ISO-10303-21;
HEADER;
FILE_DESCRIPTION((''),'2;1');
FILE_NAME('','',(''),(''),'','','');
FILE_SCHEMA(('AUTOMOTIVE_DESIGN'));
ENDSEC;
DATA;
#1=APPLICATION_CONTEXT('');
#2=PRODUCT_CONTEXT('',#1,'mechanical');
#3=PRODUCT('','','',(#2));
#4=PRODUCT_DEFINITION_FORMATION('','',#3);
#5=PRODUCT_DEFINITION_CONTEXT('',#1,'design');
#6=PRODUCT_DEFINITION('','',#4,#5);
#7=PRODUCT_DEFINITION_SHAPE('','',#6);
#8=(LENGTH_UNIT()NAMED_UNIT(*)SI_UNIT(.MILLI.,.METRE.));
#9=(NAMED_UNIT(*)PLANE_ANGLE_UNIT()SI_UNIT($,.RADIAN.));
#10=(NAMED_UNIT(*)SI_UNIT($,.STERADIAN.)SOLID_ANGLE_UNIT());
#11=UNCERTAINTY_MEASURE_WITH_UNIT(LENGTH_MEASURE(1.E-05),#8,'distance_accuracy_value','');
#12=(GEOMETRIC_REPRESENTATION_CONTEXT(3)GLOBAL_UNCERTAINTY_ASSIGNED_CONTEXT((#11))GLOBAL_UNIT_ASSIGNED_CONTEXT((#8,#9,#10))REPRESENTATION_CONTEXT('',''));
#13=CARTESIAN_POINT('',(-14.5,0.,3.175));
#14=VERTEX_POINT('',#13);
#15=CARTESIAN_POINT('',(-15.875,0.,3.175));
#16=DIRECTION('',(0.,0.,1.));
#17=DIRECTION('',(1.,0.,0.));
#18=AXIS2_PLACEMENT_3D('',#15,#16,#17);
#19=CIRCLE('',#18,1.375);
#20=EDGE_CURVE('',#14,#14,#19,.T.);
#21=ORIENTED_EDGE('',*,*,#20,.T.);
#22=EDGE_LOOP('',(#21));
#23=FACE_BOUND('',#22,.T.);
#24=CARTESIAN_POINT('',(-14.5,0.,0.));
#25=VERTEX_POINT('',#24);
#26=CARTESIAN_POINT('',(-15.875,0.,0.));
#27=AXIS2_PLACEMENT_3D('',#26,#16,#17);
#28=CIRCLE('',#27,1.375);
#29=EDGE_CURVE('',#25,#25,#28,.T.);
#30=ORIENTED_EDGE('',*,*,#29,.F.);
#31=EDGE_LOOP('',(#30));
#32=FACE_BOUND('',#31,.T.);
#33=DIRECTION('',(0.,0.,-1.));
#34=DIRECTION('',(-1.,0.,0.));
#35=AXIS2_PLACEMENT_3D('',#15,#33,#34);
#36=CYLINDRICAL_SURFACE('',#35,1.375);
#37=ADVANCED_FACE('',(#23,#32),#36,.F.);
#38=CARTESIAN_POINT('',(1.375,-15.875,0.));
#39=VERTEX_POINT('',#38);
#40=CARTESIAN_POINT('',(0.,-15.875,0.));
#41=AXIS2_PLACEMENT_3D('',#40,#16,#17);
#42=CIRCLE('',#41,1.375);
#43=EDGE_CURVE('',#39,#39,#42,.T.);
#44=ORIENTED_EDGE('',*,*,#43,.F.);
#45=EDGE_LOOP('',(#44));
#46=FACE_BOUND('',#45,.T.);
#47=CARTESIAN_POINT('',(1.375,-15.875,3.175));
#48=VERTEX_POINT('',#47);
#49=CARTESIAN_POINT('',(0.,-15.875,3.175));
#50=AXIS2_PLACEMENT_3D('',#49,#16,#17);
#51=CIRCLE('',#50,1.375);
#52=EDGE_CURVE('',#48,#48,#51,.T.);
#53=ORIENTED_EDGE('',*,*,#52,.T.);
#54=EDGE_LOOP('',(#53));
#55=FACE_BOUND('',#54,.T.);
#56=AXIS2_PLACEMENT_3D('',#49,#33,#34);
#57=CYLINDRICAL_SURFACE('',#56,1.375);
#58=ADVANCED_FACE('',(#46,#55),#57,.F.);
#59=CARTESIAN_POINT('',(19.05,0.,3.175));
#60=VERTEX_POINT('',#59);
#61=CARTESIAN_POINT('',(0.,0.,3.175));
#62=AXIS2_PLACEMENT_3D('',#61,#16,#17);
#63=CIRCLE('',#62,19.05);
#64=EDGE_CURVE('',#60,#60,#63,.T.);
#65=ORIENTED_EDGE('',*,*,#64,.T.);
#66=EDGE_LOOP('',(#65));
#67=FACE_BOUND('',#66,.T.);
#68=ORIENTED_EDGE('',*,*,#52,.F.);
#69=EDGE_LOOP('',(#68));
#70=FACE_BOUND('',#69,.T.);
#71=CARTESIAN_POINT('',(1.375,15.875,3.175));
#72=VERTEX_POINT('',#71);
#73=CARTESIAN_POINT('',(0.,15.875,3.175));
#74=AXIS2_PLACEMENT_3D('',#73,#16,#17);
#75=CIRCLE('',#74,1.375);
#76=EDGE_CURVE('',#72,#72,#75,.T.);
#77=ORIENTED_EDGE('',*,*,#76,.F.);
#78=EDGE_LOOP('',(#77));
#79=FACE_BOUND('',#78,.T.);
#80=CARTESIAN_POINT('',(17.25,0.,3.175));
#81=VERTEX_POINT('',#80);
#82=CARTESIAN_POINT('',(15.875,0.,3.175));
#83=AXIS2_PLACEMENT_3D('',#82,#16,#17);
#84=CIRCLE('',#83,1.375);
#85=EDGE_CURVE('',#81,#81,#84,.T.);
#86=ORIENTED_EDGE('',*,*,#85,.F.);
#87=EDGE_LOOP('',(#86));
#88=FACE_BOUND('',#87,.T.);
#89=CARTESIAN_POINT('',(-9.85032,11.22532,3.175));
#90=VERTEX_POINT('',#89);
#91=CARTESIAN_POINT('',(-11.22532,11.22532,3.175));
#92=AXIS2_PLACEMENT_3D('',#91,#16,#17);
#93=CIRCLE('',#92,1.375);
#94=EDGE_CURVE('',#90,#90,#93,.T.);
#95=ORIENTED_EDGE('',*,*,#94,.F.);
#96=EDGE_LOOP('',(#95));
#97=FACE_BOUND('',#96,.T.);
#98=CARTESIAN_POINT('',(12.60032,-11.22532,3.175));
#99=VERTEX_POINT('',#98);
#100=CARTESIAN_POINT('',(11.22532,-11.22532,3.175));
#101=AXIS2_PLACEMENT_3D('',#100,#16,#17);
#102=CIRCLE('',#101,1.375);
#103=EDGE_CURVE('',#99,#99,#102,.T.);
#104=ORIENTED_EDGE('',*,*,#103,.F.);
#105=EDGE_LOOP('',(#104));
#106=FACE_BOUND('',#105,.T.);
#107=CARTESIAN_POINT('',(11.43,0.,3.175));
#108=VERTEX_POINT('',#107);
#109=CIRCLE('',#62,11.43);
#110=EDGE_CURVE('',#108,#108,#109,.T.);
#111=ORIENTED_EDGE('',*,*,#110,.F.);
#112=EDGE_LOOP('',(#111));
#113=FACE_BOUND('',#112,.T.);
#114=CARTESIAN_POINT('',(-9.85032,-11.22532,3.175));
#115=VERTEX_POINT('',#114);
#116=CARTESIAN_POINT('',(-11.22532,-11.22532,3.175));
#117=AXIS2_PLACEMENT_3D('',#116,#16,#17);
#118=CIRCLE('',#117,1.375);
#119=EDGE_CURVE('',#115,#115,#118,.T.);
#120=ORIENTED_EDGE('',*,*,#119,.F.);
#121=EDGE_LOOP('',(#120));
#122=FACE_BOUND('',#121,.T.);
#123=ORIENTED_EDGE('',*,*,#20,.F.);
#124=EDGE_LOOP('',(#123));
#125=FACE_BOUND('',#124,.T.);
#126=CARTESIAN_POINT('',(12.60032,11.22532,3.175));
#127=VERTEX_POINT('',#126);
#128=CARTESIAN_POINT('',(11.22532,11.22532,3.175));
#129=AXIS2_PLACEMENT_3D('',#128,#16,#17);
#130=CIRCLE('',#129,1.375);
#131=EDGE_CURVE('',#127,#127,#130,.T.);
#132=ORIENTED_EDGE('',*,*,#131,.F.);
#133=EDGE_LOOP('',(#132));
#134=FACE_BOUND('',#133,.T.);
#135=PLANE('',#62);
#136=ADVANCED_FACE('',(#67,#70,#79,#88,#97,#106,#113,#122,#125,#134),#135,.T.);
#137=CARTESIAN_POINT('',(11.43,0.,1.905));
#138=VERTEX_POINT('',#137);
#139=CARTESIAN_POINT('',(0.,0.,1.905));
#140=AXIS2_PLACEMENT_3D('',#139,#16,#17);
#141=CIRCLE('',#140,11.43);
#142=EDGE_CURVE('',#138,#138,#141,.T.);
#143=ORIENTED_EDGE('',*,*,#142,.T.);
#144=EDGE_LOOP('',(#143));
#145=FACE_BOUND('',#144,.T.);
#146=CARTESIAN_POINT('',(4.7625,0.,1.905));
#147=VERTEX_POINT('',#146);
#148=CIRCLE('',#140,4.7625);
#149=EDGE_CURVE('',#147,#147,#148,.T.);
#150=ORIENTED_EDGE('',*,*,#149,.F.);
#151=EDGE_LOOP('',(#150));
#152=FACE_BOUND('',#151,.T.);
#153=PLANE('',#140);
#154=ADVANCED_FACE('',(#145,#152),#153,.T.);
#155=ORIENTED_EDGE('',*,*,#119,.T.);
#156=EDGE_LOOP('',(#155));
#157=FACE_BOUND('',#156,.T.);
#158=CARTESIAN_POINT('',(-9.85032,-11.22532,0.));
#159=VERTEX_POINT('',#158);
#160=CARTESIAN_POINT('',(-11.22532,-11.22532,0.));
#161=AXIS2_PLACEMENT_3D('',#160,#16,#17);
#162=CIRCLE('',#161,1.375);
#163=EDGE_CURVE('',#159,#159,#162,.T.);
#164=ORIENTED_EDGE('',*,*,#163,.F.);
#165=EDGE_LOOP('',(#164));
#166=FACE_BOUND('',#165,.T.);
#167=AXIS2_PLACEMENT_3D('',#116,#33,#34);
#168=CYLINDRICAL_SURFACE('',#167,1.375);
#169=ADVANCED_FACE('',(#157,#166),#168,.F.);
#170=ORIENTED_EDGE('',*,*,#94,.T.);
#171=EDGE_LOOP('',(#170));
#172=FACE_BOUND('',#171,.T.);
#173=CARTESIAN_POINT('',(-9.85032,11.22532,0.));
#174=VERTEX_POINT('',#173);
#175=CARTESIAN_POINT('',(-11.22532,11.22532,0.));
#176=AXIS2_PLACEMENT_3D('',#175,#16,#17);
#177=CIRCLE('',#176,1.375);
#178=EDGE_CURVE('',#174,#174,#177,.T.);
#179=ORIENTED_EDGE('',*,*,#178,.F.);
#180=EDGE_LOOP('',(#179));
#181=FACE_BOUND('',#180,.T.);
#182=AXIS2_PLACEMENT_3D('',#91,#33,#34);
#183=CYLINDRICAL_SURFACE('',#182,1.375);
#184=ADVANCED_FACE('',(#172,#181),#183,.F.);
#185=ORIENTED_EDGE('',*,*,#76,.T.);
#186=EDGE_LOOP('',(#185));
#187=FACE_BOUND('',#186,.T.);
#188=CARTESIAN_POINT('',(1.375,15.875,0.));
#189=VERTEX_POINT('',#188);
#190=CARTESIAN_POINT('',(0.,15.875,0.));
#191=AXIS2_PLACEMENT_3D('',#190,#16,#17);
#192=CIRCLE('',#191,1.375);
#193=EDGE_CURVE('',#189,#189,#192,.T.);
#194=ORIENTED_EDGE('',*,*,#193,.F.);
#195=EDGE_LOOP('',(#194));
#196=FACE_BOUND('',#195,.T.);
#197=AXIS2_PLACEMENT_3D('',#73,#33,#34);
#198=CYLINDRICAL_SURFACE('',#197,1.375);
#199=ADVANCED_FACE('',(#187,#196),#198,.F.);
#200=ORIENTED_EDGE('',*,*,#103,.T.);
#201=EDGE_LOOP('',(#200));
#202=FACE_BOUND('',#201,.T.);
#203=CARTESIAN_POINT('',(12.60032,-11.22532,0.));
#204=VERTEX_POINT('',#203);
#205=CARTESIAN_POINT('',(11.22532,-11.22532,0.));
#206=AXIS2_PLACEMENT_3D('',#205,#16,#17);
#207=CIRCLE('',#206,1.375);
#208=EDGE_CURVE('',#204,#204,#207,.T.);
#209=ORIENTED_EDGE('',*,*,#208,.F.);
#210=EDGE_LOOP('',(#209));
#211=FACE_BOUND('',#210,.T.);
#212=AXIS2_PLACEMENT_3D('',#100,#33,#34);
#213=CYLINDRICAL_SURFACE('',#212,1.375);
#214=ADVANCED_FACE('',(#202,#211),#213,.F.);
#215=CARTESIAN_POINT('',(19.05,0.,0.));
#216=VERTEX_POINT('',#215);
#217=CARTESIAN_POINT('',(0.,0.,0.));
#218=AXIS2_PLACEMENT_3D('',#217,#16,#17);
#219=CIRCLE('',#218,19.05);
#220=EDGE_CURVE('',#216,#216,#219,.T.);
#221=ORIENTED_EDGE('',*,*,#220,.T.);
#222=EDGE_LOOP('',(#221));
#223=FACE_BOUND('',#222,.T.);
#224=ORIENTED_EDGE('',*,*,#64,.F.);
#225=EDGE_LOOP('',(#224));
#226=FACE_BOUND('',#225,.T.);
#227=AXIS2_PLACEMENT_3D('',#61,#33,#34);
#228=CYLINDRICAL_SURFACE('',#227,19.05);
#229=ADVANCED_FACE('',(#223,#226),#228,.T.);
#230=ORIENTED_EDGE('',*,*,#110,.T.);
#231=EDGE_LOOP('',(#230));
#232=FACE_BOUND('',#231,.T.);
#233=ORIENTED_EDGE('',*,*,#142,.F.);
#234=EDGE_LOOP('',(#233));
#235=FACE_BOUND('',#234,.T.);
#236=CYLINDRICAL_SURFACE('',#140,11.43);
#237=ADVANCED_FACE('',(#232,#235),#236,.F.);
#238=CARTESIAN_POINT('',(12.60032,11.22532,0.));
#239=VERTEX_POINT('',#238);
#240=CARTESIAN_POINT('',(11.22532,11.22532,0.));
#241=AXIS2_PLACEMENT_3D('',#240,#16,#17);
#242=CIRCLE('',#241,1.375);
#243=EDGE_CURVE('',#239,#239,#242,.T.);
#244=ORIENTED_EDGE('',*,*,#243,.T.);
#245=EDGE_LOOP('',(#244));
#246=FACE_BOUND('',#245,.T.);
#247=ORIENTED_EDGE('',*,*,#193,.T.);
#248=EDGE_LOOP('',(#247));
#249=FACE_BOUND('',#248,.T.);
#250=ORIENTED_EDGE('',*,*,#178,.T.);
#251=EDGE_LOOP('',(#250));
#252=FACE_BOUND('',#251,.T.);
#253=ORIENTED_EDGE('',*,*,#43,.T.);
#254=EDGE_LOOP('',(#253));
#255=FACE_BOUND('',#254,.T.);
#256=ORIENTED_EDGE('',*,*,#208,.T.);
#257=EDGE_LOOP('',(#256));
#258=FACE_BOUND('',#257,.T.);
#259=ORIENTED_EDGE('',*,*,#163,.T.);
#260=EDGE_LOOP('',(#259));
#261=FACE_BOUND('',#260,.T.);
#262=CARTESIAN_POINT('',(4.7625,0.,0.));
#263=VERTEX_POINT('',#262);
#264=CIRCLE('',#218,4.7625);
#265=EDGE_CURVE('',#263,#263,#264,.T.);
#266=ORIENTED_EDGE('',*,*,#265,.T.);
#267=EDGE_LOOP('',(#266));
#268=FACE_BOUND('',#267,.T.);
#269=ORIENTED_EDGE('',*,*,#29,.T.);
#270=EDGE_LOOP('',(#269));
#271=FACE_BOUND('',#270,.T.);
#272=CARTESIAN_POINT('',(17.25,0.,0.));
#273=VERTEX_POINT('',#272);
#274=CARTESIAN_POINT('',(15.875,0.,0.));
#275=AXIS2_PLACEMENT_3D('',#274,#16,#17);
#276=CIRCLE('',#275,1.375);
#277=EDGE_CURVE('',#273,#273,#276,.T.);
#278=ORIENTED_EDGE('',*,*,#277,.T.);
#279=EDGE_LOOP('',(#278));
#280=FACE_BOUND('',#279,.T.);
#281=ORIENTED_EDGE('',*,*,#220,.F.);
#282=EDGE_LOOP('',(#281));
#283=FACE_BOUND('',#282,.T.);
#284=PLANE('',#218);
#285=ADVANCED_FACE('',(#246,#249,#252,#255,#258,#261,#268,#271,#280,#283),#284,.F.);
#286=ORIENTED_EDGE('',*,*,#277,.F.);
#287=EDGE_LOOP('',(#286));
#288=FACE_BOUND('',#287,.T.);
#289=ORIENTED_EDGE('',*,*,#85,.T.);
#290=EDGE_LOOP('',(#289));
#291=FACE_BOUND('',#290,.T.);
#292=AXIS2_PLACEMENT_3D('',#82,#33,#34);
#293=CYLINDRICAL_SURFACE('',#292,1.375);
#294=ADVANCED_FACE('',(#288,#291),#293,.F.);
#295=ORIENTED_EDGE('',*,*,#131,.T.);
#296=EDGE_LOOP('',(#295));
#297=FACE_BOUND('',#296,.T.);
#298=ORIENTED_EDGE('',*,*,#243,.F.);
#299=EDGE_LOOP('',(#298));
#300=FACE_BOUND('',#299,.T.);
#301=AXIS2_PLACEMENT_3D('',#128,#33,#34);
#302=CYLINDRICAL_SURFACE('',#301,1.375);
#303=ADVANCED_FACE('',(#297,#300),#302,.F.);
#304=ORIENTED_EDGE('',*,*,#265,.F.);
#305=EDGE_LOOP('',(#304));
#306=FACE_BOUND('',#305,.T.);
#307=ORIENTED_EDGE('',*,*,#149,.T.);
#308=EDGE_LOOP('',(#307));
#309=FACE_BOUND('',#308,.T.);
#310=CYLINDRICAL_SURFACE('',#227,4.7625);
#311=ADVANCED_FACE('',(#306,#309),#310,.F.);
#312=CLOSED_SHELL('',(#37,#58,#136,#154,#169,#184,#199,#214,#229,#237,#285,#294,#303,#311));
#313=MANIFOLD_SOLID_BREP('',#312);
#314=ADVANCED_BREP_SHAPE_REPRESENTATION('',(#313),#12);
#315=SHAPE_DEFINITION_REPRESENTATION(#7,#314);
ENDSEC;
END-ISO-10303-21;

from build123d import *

# Parameters (mm, degrees)
SKETCH1_R           = 19.05
SKETCH1_R_2         = 1.375
SKETCH1_R_3         = 4.7625
BOSS_EXTRUDE1_DEPTH = 3.175
SKETCH2_R           = 11.43
CUT_EXTRUDE1_DEPTH  = 1.27


with BuildPart() as part:
    # Sketch1 → Boss-Extrude1 (new body)
    with BuildSketch(Plane.XY):
        Circle(SKETCH1_R)
        with Locations((0, 15.875)):
            Circle(SKETCH1_R_2, mode=Mode.SUBTRACT)
        with Locations((11.225320151, 11.225320151)):
            Circle(SKETCH1_R_2, mode=Mode.SUBTRACT)
        with Locations((15.875, 0)):
            Circle(SKETCH1_R_2, mode=Mode.SUBTRACT)
        Circle(SKETCH1_R_3, mode=Mode.SUBTRACT)
        with Locations((11.225320151, -11.225320151)):
            Circle(SKETCH1_R_2, mode=Mode.SUBTRACT)
        with Locations((0, -15.875)):
            Circle(SKETCH1_R_2, mode=Mode.SUBTRACT)
        with Locations((-11.225320151, -11.225320151)):
            Circle(SKETCH1_R_2, mode=Mode.SUBTRACT)
        with Locations((-15.875, 0)):
            Circle(SKETCH1_R_2, mode=Mode.SUBTRACT)
        with Locations((-11.225320151, 11.225320151)):
            Circle(SKETCH1_R_2, mode=Mode.SUBTRACT)
    extrude(amount=BOSS_EXTRUDE1_DEPTH)

    # Sketch2 → Cut-Extrude1 (cut)
    with BuildSketch(Plane.XY.offset(3.175)):
        Circle(SKETCH2_R)
    extrude(amount=-CUT_EXTRUDE1_DEPTH, mode=Mode.SUBTRACT)


solid = part.part
